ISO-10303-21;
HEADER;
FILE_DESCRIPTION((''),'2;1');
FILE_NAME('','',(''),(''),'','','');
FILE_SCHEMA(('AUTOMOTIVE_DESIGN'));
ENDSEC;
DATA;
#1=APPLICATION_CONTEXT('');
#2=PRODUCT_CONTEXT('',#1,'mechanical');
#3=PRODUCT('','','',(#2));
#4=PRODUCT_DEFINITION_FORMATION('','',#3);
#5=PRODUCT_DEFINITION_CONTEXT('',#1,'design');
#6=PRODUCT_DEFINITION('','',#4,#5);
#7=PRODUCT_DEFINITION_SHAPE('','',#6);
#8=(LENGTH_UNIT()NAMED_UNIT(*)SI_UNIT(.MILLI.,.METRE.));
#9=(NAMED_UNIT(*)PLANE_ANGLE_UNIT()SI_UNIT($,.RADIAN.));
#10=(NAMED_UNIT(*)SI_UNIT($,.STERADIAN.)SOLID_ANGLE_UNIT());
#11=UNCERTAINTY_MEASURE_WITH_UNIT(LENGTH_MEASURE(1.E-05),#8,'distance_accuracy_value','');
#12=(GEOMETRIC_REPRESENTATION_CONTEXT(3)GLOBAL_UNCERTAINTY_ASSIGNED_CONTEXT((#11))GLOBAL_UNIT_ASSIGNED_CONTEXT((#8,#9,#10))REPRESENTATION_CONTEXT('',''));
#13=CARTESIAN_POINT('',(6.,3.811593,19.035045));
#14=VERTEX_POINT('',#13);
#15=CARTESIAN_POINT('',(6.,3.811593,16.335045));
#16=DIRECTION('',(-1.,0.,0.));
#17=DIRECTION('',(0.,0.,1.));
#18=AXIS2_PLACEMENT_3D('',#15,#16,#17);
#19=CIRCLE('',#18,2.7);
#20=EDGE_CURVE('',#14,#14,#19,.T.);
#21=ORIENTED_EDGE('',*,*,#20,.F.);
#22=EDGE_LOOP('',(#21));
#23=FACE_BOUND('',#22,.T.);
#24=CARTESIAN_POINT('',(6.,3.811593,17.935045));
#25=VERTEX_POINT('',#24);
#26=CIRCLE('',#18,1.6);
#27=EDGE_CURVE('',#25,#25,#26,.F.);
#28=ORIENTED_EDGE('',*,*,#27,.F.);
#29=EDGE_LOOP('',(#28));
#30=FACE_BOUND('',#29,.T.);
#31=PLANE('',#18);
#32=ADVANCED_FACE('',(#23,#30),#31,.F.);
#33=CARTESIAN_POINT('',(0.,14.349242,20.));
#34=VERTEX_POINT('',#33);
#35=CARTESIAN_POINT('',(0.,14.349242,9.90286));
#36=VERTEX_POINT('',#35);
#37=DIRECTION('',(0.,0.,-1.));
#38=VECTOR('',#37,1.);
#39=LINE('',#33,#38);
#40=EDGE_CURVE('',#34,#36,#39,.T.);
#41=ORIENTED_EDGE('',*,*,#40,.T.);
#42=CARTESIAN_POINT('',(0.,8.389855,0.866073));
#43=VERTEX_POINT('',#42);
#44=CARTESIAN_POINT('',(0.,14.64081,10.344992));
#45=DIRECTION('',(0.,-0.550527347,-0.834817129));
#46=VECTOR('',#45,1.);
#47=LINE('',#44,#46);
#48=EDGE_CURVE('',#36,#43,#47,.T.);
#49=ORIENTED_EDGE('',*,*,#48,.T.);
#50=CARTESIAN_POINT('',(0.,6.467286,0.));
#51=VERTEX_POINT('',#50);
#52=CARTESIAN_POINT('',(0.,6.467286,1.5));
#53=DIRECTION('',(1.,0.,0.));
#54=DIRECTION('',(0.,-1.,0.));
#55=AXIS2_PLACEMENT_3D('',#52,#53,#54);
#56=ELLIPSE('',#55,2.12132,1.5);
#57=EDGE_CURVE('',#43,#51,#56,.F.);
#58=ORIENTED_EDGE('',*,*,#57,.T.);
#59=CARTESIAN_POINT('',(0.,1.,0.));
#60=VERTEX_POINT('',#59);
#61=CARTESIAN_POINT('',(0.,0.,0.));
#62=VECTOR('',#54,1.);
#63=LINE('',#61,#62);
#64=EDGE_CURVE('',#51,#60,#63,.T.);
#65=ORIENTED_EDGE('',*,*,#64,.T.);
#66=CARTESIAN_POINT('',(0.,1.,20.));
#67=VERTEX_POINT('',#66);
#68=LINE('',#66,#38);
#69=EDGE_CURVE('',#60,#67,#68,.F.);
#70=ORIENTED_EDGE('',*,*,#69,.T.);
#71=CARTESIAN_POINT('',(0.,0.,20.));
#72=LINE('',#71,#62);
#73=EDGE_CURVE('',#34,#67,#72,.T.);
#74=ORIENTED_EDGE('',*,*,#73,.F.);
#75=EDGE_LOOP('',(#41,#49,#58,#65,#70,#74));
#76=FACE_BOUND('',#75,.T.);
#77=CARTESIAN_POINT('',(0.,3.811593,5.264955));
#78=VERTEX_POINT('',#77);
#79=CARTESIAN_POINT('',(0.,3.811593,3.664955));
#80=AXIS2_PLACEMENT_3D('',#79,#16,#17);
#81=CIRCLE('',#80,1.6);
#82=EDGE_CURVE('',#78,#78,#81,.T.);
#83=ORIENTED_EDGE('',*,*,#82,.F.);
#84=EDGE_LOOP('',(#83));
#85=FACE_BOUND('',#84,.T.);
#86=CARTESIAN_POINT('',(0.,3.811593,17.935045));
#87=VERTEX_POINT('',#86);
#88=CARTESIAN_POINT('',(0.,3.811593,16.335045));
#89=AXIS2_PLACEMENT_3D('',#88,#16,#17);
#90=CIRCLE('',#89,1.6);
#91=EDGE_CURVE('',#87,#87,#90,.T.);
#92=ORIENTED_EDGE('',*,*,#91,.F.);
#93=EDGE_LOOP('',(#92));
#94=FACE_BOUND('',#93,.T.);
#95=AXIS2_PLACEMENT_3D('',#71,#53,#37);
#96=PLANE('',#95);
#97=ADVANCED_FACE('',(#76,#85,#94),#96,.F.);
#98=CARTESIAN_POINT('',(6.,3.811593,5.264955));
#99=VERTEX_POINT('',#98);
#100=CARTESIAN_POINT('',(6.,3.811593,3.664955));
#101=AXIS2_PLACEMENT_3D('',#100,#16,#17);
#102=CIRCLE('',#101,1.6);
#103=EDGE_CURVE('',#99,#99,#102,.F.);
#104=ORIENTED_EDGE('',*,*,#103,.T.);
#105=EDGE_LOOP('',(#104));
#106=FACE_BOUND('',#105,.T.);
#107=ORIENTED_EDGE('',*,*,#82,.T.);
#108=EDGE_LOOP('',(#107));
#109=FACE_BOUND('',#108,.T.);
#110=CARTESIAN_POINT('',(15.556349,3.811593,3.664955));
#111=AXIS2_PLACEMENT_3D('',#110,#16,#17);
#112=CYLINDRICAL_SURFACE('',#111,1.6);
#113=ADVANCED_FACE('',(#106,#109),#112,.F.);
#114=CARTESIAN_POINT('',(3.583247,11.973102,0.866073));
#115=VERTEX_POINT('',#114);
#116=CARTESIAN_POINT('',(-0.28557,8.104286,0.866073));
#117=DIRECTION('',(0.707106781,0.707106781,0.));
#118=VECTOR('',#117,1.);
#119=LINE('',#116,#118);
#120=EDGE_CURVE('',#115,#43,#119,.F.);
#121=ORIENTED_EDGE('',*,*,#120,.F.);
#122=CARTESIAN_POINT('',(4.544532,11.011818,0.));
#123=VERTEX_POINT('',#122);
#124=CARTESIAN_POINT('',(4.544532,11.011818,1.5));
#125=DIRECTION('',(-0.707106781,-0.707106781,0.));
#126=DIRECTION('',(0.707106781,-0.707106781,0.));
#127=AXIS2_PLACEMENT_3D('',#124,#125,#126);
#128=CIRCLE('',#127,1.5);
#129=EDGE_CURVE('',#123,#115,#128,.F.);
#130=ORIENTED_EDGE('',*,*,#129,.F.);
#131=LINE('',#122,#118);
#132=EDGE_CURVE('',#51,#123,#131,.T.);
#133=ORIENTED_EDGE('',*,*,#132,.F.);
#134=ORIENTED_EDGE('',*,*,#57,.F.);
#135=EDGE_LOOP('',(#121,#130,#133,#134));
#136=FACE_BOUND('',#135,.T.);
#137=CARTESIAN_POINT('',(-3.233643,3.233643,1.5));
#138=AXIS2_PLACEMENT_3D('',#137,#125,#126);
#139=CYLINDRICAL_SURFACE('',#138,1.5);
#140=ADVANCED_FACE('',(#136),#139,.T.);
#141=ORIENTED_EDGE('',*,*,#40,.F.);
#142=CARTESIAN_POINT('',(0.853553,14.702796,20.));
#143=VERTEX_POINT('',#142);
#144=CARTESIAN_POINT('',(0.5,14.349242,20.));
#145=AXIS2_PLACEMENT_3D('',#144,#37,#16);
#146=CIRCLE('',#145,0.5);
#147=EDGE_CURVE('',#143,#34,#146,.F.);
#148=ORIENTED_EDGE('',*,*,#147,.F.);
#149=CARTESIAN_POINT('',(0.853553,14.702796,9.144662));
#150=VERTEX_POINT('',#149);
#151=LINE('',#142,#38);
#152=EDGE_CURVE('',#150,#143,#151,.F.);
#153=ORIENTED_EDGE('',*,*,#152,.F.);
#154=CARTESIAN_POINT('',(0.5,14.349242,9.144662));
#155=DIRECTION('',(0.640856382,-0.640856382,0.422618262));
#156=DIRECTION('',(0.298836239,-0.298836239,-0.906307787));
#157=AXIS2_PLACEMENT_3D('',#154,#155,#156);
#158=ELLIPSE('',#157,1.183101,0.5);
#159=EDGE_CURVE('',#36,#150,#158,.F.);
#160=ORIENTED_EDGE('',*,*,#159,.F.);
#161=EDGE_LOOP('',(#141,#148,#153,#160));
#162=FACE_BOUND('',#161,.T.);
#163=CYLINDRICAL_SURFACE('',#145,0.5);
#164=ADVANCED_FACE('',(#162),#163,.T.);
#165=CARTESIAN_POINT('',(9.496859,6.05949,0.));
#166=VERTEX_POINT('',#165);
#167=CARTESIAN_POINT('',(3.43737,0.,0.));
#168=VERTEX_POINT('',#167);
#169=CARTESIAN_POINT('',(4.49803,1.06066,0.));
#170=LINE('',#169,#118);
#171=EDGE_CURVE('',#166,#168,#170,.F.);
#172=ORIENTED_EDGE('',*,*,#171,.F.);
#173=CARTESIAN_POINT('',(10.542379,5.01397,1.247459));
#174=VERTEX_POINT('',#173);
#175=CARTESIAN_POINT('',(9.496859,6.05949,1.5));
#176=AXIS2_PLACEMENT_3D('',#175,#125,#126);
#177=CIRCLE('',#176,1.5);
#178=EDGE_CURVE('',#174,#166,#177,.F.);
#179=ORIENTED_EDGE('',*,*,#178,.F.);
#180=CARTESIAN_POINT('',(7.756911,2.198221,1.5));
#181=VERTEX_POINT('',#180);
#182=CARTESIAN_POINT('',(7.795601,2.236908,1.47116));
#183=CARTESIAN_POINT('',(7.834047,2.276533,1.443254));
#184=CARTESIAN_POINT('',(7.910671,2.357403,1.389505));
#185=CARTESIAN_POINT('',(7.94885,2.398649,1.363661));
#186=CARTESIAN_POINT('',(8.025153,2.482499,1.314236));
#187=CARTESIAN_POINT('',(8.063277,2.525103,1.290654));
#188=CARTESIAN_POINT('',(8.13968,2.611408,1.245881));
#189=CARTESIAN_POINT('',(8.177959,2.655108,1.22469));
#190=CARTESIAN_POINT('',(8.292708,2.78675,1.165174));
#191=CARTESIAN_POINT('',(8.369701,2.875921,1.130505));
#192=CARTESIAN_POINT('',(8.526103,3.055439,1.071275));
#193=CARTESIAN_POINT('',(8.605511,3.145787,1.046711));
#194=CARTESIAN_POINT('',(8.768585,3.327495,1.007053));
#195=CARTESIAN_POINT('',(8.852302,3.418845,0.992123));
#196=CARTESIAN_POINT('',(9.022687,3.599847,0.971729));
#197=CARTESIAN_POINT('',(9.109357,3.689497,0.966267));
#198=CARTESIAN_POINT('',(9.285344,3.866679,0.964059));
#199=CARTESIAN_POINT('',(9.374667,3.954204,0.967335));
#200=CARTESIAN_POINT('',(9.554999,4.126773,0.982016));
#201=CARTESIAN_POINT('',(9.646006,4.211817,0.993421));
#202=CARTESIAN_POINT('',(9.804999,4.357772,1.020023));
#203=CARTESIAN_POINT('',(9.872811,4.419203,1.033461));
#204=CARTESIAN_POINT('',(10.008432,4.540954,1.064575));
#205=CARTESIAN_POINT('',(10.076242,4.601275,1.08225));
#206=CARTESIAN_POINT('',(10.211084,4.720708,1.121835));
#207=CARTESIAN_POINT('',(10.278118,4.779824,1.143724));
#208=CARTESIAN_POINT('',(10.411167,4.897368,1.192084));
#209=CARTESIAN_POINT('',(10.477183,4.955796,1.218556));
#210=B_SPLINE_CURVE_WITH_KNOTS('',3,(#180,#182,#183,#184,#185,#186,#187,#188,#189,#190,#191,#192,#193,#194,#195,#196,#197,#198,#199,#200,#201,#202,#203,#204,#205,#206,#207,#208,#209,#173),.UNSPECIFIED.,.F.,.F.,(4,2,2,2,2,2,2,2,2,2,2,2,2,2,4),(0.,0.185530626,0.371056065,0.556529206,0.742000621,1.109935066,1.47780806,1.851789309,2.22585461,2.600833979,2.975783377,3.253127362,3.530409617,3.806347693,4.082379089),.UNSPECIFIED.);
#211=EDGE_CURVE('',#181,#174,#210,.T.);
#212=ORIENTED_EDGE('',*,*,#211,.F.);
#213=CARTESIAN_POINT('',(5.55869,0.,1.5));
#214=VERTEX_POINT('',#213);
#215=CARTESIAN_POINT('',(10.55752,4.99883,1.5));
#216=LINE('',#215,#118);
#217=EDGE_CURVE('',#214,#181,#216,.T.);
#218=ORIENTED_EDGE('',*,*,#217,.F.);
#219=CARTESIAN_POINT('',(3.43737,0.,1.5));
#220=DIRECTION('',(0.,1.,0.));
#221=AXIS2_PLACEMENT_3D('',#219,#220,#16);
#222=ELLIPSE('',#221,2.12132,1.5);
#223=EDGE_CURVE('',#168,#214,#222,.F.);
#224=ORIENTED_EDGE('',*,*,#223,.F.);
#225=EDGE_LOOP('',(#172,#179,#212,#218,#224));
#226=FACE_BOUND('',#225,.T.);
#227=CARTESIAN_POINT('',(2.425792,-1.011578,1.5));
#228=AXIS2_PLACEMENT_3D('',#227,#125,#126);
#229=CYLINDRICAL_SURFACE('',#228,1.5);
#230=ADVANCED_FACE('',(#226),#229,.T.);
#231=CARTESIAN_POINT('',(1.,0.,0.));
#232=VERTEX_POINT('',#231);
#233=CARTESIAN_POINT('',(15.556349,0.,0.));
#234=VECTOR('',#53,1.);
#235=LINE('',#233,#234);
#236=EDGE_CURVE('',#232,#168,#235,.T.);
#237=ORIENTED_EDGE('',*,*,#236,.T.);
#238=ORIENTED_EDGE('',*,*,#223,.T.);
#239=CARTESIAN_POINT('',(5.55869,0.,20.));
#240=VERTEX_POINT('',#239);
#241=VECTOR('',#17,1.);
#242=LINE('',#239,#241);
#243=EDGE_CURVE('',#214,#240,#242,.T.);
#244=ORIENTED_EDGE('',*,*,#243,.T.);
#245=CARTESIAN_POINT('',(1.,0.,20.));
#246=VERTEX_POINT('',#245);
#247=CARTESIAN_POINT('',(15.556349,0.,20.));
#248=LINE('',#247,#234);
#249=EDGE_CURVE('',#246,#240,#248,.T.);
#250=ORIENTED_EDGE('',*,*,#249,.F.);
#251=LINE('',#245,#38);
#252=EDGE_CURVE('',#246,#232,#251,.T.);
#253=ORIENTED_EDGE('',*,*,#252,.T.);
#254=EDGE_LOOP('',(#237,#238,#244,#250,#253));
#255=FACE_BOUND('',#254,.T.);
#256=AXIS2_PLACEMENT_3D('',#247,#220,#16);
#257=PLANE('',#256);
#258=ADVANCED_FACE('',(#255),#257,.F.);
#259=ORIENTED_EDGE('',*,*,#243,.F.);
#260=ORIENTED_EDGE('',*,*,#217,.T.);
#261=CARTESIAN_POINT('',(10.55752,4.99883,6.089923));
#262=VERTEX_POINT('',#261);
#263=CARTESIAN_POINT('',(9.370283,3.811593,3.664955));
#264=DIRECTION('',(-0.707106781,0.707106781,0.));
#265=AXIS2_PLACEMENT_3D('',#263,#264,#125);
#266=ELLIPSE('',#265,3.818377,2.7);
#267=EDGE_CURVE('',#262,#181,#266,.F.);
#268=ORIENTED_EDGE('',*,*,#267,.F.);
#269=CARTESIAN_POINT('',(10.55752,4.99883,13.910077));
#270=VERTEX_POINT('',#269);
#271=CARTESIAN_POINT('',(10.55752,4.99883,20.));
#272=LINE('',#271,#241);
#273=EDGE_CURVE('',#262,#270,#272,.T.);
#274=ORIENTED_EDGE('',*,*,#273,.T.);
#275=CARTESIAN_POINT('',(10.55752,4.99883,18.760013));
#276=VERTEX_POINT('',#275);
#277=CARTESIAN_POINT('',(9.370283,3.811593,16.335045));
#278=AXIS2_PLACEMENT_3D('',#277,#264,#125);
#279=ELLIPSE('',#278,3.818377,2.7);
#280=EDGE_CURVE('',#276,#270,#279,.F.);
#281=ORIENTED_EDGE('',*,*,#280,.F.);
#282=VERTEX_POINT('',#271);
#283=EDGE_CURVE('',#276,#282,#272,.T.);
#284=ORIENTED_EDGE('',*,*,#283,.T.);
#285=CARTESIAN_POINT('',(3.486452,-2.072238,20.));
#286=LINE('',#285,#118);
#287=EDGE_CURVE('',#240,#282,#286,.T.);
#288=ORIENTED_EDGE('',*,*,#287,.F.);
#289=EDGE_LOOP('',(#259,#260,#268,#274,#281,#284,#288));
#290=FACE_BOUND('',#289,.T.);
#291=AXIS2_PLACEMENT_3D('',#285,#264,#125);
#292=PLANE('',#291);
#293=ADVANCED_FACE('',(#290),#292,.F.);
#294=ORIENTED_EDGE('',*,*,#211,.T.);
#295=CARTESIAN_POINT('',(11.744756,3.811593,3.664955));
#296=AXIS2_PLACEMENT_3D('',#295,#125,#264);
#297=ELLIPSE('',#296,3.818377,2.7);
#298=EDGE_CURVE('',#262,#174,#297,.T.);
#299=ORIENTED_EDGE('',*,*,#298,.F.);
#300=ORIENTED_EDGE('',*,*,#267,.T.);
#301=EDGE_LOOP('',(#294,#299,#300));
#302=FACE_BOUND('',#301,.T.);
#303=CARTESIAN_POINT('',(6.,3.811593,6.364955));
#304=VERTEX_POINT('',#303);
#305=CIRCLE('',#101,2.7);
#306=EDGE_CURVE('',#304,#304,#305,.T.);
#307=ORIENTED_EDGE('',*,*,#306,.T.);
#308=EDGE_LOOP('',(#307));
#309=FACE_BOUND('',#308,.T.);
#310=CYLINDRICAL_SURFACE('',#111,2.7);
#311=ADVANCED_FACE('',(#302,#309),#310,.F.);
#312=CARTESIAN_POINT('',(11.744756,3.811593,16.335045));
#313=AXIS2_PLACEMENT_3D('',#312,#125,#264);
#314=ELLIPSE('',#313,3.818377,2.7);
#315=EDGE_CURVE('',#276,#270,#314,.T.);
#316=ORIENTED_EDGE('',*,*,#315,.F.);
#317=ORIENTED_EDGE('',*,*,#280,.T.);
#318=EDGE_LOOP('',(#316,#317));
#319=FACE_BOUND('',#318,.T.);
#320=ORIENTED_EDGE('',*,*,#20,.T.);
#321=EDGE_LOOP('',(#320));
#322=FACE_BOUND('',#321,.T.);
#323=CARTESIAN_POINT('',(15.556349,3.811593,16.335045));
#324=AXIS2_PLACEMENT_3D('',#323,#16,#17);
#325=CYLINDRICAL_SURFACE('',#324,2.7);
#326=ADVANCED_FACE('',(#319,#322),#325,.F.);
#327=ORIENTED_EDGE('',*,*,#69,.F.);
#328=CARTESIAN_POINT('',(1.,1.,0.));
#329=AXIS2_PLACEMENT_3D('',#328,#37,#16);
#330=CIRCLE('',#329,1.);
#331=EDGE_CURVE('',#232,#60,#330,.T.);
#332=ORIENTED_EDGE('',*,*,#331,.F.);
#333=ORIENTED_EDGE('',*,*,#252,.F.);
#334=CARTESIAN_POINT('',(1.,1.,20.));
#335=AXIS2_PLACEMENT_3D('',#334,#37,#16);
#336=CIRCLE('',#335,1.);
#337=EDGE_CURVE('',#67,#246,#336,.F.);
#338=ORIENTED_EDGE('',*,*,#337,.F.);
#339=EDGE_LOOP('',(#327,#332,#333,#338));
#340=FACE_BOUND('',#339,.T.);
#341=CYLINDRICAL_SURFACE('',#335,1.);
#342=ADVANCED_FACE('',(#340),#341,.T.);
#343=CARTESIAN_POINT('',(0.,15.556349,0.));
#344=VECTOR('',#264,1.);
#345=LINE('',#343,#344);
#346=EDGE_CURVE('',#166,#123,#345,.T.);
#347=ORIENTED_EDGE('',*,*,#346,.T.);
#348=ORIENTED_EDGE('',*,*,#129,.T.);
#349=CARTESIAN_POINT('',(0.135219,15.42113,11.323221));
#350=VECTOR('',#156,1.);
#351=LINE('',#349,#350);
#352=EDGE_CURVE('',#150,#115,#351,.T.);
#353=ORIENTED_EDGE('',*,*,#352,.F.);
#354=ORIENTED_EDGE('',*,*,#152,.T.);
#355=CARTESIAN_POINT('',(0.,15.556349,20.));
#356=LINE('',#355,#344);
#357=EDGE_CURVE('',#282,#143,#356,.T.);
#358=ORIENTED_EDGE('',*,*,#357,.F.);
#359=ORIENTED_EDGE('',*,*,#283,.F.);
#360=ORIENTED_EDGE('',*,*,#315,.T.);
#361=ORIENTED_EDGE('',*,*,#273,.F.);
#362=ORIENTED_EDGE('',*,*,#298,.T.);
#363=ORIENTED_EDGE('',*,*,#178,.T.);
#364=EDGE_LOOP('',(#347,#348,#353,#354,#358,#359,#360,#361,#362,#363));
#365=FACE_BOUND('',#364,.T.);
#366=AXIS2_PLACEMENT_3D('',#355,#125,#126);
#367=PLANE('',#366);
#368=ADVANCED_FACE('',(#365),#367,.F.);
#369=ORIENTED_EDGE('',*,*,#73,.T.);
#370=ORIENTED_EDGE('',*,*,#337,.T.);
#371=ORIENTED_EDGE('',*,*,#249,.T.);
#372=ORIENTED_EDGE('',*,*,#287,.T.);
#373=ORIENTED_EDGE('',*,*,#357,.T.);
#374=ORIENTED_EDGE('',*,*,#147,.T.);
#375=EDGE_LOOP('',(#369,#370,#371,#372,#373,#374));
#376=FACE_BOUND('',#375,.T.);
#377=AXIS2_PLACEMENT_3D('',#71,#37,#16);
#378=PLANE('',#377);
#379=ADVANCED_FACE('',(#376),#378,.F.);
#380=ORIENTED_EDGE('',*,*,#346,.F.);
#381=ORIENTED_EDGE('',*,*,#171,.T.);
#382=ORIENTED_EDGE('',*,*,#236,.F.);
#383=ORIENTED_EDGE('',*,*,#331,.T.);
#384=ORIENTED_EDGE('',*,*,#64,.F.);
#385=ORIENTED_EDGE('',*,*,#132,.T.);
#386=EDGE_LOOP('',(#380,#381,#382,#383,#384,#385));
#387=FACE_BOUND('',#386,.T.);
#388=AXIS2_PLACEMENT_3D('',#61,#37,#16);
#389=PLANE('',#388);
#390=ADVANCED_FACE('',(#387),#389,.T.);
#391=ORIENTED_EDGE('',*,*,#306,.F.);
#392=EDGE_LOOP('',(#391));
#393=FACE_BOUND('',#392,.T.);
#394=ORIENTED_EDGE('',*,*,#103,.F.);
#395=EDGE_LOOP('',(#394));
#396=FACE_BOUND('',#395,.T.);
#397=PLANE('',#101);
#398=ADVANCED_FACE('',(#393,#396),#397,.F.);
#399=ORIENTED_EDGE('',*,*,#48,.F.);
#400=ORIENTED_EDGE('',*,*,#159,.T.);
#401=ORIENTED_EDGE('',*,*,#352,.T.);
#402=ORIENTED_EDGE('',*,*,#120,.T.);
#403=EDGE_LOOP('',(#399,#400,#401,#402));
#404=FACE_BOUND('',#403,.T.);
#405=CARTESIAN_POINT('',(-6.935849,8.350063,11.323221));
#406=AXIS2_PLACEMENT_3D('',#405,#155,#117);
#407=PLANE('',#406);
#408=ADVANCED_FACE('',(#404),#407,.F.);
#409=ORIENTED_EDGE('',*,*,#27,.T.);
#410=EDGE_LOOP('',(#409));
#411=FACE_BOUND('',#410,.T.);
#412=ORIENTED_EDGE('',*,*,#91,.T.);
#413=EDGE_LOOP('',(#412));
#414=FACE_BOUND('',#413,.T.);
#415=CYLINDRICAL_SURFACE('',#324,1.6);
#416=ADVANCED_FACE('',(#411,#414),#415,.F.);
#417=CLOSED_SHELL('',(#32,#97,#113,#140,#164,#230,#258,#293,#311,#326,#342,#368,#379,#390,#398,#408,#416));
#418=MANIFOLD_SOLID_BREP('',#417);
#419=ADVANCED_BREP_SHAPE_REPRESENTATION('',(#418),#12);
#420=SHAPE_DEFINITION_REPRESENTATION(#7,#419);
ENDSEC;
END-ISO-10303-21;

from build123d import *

# Parameters (mm, degrees)
BOSS_EXTRUDE1_DEPTH = 20
SKETCH6_R           = 1.6
CUT_EXTRUDE4_DEPTH  = 16.556349186
SKETCH7_R           = 2.7
CUT_EXTRUDE5_DEPTH  = 10.556349186
FILLET4_R           = 1
FILLET5_R           = 0.5
CUT_EXTRUDE6_DEPTH  = 10
CUT_EXTRUDE7_DEPTH  = 10
FILLET6_R           = 1.5


with BuildPart() as part:
    # Sketch1 → Boss-Extrude1 (new body)
    with BuildSketch(Plane.XY):
        Polygon((0, 0), (0, 15.556349186), (15.556349186, 0), align=None)
    extrude(amount=BOSS_EXTRUDE1_DEPTH)

    # Sketch6 → Cut-Extrude4 (cut, through all)
    with BuildSketch(Plane.ZY):
        with Locations((16.335044769, 3.811593223)):
            Circle(SKETCH6_R)
        with Locations((3.664955231, 3.811593223)):
            Circle(SKETCH6_R)
    extrude(amount=-CUT_EXTRUDE4_DEPTH, mode=Mode.SUBTRACT)

    # Sketch7 → Cut-Extrude5 (cut, through all)
    with BuildSketch(Plane.ZY.offset(-6)):
        with Locations((16.335044769, 3.811593223)):
            Circle(SKETCH7_R)
        with Locations((3.664955231, 3.811593223)):
            Circle(SKETCH7_R)
    extrude(amount=-CUT_EXTRUDE5_DEPTH, mode=Mode.SUBTRACT)

    # Fillet4
    fillet4_edges = [part.edges().sort_by_distance(p)[0] for p in [
        (0, 0, 10),
    ]]
    fillet(fillet4_edges, radius=FILLET4_R)

    # Fillet5
    fillet5_edges = [part.edges().sort_by_distance(p)[0] for p in [
        (0, 15.556349186, 10),
        (15.556349186, 0, 10),
    ]]
    fillet(fillet5_edges, radius=FILLET5_R)

    # Sketch8 → Cut-Extrude6 (cut)
    with BuildSketch(Plane(origin=(7.778174593, 7.778174593, 0), x_dir=(0, 0, -1), z_dir=(0.707106781, 0.707106781, 0))):
        Polygon((-20, -12.333051339), (0, -12.333051339), (0.012190886, -3.93058749), (-20, -3.93058749), align=None)
    extrude(amount=-CUT_EXTRUDE6_DEPTH, mode=Mode.SUBTRACT)

    # Sketch9 → Cut-Extrude7 (cut)
    with BuildSketch(Plane(origin=(7.778174593, 7.778174593, 0), x_dir=(0, 0, -1), z_dir=(0.707106781, 0.707106781, 0))):
        Polygon((-11.323221056, 10.808771842), (0, 5.528667149), (0, 10.808771842), align=None)
    extrude(amount=-CUT_EXTRUDE7_DEPTH, mode=Mode.SUBTRACT)

    # Fillet6
    fillet6_edges = [part.edges().sort_by_distance(p)[0] for p in [
        (8.058104899, 2.499414762, 0),
        (1.934408281, 9.753124344, 0),
    ]]
    fillet(fillet6_edges, radius=FILLET6_R)


solid = part.part
